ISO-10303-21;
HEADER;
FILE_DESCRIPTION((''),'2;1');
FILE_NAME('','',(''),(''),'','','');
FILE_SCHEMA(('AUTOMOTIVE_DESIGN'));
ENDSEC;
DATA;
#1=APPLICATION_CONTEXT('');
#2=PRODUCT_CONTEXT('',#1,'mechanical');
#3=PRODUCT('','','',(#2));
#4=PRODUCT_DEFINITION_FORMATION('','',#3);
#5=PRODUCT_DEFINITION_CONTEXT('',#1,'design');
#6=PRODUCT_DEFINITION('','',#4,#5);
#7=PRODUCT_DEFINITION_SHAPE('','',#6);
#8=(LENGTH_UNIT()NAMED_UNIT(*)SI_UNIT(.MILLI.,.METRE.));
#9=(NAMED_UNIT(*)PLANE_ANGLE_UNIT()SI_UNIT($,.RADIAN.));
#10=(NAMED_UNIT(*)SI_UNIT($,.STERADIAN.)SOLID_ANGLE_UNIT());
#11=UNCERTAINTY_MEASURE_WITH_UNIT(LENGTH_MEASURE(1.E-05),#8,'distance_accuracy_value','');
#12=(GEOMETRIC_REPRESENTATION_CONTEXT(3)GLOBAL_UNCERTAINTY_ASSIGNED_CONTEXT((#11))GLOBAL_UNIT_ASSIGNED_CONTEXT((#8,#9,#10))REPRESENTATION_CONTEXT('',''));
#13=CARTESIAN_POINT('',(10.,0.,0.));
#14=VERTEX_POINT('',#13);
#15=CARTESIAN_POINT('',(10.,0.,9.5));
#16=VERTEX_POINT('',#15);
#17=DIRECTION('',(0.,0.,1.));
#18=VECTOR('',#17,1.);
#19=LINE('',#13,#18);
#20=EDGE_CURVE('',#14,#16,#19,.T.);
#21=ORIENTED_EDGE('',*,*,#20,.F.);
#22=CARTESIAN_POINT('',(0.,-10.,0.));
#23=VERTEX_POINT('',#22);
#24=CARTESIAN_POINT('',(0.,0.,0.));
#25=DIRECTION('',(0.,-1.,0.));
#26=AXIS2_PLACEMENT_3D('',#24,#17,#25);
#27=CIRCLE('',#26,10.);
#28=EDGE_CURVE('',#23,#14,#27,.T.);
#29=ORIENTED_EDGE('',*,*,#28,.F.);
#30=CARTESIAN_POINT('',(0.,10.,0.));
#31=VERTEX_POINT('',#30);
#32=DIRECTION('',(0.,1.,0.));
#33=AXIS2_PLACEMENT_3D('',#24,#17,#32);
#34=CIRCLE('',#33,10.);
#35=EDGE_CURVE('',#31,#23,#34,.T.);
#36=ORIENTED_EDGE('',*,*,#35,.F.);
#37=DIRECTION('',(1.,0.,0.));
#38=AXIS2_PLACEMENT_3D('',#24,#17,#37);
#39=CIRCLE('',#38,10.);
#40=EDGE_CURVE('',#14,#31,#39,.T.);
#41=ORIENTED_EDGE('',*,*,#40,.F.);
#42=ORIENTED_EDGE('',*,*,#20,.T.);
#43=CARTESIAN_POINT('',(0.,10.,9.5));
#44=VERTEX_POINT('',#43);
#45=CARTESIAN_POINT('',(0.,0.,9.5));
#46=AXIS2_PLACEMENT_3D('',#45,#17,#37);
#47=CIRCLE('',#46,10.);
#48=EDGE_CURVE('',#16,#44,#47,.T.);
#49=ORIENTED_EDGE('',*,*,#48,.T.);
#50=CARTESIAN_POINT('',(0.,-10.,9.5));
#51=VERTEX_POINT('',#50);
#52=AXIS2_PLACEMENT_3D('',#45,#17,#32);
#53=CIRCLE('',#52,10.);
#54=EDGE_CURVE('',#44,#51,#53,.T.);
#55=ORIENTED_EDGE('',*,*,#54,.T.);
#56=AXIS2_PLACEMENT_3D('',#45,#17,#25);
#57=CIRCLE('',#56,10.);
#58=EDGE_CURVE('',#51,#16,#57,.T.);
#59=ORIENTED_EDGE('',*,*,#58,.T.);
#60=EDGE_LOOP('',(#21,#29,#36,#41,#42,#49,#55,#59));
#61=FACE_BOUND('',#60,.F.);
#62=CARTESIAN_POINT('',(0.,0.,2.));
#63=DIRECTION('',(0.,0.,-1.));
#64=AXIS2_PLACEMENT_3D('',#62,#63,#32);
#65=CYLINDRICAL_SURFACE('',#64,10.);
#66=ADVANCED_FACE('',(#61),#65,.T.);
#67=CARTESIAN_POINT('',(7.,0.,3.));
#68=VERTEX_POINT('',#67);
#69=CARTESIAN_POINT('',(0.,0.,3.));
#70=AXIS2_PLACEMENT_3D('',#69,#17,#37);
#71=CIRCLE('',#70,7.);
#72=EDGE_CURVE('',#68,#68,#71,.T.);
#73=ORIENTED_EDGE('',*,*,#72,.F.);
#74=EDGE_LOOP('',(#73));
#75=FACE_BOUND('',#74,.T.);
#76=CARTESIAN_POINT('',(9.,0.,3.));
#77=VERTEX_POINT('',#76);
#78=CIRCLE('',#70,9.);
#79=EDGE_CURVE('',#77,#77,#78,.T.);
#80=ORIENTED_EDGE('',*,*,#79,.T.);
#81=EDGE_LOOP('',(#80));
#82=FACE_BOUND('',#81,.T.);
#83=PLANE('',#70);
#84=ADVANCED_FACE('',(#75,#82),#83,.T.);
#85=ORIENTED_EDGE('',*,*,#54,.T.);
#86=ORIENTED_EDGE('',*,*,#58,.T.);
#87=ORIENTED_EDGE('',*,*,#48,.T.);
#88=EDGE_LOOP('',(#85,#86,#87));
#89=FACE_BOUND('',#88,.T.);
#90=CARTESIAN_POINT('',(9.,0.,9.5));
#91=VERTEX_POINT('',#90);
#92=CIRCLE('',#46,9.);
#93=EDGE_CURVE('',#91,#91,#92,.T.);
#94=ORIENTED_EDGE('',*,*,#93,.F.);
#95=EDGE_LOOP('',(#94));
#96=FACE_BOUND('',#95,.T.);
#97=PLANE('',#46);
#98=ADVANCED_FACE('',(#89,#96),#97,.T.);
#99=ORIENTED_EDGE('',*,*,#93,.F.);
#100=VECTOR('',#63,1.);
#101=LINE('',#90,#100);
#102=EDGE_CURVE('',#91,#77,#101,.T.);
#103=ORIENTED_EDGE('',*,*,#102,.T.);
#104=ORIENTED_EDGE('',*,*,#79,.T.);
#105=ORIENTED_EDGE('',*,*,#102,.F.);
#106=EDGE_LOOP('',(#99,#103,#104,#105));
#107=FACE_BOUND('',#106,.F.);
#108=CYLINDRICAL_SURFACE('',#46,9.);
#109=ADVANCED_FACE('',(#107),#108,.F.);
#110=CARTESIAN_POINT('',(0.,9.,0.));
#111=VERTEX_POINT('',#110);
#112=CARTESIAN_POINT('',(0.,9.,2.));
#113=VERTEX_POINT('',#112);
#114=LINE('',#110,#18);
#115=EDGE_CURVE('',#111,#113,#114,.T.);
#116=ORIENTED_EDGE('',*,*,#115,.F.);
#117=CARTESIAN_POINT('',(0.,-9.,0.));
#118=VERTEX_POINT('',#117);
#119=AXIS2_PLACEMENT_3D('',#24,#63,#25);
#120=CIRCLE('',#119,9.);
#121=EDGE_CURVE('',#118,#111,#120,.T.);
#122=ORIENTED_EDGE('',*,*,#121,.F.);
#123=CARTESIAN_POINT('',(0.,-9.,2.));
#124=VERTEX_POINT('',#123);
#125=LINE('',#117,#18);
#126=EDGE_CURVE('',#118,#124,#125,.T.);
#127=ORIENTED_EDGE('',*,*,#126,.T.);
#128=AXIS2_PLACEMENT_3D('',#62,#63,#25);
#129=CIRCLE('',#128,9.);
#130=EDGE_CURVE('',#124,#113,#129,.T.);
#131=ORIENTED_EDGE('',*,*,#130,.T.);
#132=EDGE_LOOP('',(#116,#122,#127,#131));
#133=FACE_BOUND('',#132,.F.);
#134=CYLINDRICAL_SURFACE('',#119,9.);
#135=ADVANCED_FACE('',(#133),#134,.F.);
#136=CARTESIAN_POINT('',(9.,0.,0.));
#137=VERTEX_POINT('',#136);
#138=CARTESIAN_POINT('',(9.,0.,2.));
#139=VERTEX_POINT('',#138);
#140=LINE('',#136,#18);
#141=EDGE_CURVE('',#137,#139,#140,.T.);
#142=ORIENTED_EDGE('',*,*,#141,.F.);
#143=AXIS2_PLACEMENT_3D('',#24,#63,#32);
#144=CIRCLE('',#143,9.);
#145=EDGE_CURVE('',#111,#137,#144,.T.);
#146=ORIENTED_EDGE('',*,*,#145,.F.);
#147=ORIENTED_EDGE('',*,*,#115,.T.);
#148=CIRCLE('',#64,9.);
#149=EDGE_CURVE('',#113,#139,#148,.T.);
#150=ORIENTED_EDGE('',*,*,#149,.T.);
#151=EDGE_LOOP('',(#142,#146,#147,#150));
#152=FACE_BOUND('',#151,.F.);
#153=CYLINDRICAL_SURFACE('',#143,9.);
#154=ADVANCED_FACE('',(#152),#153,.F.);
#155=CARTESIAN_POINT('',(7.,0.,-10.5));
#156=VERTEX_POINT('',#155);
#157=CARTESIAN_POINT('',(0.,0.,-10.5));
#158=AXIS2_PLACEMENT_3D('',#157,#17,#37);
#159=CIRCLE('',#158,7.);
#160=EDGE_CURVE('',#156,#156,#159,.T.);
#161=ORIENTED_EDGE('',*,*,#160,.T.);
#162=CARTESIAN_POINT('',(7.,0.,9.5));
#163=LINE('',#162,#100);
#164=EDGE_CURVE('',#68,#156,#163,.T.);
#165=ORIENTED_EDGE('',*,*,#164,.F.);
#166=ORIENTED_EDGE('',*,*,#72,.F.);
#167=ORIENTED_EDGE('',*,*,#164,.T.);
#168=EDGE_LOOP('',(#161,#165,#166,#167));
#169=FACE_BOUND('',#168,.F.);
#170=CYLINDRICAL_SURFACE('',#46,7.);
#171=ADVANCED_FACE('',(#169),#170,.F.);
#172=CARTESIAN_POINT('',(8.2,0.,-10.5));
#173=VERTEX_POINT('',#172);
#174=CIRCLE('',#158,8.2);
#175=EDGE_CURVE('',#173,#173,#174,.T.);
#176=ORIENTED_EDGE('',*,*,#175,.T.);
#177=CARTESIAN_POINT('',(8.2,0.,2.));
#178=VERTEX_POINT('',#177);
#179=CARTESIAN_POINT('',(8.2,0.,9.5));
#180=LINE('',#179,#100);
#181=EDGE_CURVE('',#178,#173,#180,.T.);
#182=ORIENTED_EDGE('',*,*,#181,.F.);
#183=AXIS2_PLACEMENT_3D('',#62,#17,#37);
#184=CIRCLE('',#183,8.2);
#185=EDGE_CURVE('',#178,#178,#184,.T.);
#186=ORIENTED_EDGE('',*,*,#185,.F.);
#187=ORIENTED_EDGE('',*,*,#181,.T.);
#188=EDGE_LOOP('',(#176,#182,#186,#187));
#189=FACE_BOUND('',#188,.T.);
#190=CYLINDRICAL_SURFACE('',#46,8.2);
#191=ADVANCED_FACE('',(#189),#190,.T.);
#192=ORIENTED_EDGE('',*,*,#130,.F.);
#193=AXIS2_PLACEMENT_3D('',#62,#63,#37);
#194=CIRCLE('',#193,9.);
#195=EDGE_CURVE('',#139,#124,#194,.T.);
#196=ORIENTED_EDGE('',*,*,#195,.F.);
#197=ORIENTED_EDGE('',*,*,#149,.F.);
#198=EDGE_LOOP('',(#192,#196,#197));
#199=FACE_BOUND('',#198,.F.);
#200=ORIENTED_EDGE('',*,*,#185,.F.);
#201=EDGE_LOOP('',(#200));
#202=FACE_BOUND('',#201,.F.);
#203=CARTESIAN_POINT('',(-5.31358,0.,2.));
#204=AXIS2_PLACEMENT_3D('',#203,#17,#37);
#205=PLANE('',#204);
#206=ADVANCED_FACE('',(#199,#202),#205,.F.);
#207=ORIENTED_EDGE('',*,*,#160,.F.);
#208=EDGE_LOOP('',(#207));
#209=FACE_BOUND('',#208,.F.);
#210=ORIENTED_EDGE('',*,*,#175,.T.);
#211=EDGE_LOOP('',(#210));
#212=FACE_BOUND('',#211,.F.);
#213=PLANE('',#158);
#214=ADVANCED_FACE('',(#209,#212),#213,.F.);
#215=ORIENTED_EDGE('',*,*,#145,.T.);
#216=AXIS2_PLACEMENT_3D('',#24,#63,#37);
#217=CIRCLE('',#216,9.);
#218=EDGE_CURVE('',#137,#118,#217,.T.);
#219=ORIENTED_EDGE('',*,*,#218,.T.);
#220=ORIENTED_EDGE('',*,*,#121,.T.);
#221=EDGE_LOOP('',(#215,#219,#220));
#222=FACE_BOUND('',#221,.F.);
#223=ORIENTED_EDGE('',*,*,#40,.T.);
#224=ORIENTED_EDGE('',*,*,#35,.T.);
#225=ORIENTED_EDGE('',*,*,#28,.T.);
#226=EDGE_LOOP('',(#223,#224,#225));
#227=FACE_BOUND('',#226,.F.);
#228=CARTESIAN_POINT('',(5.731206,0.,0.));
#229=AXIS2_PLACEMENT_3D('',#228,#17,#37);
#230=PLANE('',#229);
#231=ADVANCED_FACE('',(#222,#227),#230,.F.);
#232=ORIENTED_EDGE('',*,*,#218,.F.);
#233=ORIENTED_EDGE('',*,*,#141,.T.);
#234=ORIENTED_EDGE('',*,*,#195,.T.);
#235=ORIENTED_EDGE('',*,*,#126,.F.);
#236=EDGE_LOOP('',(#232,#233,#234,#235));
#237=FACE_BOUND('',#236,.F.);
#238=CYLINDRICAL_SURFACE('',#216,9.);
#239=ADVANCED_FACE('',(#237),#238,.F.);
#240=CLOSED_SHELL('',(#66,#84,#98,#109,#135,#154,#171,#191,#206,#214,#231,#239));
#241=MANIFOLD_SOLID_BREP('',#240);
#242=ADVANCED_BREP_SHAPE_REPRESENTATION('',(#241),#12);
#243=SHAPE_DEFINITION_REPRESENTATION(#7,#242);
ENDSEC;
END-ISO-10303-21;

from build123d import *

# Parameters (mm, degrees)
F1_DEPTH = 2
F2_DEPTH = 3
F3_R     = 8.2
F4_DEPTH = 7.5
F5_R     = 8.2
F5_R_2   = 7
F6_DEPTH = 20
F7_R     = 9
F7_R_2   = 7
F8_DEPTH = 6.5


with BuildPart() as f1:
    # F0 (on Top) → F1 (new body)
    with BuildSketch(Plane.XY):
        with BuildLine():
            Line((0, 9), (0, 10))
            ThreePointArc((0, 10), (-10, 0), (0, -10))
            Line((0, -10), (0, -9))
            ThreePointArc((0, -9), (-9, 0), (0, 9))
        make_face()
    extrude(amount=F1_DEPTH)

    # F0 (on Top) → F2 (join)
    with BuildSketch(Plane.XY):
        with BuildLine():
            ThreePointArc((0, -10), (7.0710678119, -7.0710678119), (10, 0))
            ThreePointArc((10, 0), (7.0710678119, 7.0710678119), (0, 10))
            Line((0, 10), (0, 9))
            ThreePointArc((0, 9), (6.3639610307, 6.3639610307), (9, 0))
            ThreePointArc((9, 0), (6.3639610307, -6.3639610307), (0, -9))
            Line((0, -9), (0, -10))
        make_face()
    extrude(amount=F2_DEPTH)

    # F3 (on face) → F4 (join)
    with BuildSketch(Plane.XY.offset(2)):
        with BuildLine():
            Line((0, 9), (0, 10))
            ThreePointArc((0, 10), (-10, 0), (0, -10))
            Line((0, -10), (0, -9))
            ThreePointArc((0, -9), (-9, 0), (0, 9))
        make_face()
        with BuildLine():
            ThreePointArc((0, -10), (7.0710678119, -7.0710678119), (10, 0))
            ThreePointArc((10, 0), (7.0710678119, 7.0710678119), (0, 10))
            Line((0, 10), (0, 9))
            ThreePointArc((0, 9), (-9, 0), (0, -9))
            Line((0, -9), (0, -10))
        make_face()
        Circle(F3_R, mode=Mode.SUBTRACT)
    extrude(amount=F4_DEPTH)

    # F5 (on face) → F6 (join)
    with BuildSketch(Plane.XY.offset(9.5)):
        Circle(F5_R)
        Circle(F5_R_2, mode=Mode.SUBTRACT)
    extrude(amount=-F6_DEPTH)

    # F7 (on face) → F8 (cut)
    with BuildSketch(Plane.XY.offset(9.5)):
        Circle(F7_R)
        Circle(F7_R_2, mode=Mode.SUBTRACT)
    extrude(amount=-F8_DEPTH, mode=Mode.SUBTRACT)


solid = f1.part
